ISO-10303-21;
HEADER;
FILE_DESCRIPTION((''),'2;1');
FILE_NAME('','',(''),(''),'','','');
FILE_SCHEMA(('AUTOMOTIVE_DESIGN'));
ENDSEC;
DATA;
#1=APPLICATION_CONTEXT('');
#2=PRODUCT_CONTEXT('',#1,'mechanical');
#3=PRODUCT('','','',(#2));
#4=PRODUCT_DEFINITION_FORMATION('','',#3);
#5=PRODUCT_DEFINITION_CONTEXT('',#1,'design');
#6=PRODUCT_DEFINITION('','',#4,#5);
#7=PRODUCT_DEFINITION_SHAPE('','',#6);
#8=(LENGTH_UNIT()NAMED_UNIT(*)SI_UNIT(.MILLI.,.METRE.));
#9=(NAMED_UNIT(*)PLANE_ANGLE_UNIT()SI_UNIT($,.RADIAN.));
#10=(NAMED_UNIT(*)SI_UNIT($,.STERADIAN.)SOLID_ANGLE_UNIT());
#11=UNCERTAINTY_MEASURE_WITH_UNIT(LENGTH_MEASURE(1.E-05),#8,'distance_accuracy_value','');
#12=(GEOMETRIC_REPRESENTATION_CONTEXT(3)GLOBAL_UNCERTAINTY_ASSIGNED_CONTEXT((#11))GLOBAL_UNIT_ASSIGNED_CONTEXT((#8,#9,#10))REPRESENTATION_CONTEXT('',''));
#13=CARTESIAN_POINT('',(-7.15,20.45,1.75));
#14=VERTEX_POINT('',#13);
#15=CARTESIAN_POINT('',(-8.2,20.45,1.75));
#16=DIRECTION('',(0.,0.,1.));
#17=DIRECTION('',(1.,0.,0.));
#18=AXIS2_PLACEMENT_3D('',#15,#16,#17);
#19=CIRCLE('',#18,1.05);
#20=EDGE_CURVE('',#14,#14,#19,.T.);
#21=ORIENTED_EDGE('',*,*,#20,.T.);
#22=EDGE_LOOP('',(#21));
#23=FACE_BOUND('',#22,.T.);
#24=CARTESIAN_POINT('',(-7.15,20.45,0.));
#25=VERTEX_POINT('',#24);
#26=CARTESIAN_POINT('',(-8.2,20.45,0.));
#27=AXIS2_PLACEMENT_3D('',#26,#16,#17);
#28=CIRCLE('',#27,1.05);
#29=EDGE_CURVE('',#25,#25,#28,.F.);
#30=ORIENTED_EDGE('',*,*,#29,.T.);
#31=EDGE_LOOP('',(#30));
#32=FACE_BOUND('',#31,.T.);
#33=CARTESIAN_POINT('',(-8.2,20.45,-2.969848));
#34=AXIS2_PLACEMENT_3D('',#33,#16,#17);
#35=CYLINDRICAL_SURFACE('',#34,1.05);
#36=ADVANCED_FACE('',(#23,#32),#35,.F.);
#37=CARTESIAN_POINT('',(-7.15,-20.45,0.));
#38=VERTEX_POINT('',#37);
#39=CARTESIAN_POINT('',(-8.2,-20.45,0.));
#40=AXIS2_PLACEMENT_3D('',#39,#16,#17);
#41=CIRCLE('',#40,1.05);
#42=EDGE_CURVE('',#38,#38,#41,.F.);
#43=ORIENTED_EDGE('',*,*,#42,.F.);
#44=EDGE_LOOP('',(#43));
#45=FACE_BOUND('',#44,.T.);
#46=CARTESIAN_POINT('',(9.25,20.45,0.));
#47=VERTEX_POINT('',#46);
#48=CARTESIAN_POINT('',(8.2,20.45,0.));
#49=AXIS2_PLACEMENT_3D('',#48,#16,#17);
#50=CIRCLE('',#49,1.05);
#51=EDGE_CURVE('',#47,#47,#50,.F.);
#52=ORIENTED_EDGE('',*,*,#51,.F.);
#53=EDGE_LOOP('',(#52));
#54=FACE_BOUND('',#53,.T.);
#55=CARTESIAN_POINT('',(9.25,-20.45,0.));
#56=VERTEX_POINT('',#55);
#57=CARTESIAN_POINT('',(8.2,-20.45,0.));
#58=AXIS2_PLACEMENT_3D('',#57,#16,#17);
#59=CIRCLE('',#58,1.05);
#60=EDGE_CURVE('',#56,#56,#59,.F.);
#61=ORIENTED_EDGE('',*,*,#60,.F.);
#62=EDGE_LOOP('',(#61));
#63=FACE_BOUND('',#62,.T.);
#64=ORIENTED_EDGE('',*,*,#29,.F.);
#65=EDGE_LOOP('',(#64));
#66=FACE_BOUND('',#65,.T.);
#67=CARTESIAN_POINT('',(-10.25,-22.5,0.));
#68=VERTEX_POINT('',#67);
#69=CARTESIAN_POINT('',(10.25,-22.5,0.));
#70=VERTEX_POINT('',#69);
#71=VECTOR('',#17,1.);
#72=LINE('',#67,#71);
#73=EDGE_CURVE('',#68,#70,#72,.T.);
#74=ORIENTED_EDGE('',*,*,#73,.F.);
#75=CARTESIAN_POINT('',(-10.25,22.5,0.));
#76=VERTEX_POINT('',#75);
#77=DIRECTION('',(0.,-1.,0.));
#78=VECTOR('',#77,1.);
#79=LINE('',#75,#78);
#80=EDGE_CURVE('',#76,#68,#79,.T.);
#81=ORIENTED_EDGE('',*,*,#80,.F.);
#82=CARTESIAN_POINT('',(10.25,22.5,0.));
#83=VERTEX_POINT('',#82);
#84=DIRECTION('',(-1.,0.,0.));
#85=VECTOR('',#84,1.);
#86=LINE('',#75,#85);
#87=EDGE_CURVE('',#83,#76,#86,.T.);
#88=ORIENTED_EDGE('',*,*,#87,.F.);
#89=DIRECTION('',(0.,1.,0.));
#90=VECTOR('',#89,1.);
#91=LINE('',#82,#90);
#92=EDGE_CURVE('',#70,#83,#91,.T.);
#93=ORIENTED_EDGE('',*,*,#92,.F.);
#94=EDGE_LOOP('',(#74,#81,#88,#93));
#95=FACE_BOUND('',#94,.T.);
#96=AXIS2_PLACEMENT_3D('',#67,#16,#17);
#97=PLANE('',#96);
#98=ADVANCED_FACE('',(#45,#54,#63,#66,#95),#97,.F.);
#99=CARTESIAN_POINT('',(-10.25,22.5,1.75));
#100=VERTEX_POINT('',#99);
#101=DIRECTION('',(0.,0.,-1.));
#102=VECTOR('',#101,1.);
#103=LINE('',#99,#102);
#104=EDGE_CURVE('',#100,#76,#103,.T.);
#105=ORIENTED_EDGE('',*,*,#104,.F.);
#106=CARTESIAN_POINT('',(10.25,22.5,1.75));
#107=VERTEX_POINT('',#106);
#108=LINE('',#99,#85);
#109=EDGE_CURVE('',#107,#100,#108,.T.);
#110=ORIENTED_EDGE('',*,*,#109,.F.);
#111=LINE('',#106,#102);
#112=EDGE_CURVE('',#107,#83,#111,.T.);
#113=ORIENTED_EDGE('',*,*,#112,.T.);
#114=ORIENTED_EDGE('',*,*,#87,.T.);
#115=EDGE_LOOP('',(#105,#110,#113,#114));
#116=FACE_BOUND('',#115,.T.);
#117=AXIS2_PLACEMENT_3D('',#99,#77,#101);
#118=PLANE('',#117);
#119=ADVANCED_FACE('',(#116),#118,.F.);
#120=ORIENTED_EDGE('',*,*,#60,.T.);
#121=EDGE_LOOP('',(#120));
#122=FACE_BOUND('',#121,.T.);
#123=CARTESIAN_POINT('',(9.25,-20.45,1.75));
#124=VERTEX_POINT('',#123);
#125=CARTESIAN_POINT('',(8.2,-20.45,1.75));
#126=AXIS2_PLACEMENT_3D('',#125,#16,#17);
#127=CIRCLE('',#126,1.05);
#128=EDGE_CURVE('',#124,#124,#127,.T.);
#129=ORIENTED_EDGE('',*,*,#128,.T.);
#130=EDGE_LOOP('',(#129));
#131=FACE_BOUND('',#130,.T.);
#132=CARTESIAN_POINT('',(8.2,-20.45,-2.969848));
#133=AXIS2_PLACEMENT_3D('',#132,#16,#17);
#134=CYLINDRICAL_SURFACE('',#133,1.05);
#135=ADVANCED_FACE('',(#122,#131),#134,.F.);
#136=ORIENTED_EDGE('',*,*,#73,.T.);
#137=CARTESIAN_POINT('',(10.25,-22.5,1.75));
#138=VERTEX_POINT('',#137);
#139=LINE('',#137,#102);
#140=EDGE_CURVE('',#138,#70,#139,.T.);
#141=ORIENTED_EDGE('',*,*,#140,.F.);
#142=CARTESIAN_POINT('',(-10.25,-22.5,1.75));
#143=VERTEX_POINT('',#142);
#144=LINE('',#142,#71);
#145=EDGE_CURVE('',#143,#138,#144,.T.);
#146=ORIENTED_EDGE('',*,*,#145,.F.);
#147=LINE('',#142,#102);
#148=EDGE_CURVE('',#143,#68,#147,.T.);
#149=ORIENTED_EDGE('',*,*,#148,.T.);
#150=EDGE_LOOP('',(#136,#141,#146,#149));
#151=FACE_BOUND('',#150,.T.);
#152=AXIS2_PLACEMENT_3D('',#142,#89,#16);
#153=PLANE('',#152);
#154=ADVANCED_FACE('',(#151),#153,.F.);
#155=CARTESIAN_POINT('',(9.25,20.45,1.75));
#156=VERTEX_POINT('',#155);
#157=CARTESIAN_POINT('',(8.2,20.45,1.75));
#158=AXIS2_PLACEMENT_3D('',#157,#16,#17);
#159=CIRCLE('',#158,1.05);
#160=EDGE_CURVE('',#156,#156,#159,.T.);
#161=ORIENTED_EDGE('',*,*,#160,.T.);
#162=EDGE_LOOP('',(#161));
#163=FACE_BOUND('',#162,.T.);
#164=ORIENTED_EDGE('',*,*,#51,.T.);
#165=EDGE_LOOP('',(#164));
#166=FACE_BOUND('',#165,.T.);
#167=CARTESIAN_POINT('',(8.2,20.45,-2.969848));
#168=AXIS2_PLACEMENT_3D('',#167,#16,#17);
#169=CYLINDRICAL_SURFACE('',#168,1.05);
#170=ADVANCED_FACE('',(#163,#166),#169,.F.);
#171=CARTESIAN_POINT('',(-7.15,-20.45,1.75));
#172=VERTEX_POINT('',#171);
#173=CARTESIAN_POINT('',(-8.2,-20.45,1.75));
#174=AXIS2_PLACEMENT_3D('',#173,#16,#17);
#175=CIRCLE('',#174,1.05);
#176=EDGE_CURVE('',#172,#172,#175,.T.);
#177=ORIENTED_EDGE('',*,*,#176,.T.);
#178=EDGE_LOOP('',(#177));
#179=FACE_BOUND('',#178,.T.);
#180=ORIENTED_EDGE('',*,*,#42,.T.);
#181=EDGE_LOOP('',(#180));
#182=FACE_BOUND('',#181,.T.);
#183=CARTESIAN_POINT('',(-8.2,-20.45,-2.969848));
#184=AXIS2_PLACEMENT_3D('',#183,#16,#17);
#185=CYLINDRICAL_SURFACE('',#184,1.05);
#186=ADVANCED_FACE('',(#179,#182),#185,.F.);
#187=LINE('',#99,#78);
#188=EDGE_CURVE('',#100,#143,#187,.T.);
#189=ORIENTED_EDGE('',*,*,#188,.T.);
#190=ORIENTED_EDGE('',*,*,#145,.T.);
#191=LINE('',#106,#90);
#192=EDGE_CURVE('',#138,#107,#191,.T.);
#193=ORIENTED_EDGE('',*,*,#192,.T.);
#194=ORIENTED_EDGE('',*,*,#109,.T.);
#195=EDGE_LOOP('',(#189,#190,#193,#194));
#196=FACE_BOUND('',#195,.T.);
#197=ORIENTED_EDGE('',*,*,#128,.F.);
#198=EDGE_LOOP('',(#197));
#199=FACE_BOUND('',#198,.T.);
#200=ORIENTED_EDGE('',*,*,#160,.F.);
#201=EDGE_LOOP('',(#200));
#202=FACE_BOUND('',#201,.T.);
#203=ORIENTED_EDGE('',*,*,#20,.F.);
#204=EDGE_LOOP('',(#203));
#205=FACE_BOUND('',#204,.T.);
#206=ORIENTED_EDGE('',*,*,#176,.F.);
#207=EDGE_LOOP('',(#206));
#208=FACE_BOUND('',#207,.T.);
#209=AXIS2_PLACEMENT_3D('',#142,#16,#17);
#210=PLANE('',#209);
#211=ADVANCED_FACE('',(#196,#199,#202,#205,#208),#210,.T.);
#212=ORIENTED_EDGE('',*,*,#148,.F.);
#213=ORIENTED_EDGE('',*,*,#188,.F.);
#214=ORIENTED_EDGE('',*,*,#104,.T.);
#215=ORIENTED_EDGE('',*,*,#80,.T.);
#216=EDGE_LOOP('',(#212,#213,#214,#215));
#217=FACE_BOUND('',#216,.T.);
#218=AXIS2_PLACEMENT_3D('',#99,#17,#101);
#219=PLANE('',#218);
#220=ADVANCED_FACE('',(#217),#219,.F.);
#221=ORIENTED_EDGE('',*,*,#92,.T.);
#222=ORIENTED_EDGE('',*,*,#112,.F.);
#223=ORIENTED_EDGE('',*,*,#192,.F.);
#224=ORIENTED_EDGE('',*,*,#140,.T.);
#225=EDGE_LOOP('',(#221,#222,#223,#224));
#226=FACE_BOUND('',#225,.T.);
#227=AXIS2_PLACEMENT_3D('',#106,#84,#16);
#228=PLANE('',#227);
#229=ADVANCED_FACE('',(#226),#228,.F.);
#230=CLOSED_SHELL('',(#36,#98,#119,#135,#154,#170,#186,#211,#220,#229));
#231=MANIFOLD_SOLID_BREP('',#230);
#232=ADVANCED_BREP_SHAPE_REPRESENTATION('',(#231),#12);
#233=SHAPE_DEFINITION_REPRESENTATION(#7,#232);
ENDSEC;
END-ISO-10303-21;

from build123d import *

# Parameters (mm, degrees)
SKETCH1_W          = 20.5
SKETCH1_H          = 45
EXTRUDE1_DEPTH     = 1.75
SKETCH2_R          = 1.05
CUT_EXTRUDE1_DEPTH = 1.75


with BuildPart() as part:
    # Sketch1 → Extrude1 (new body)
    with BuildSketch(Plane.XY):
        Rectangle(SKETCH1_W, SKETCH1_H)
    extrude(amount=EXTRUDE1_DEPTH)

    # Sketch2 → Cut-Extrude1 (cut)
    with BuildSketch(Plane.XY.offset(1.75)):
        with Locations((8.2, -20.45)):
            Circle(SKETCH2_R)
        with Locations((-8.2, 20.45)):
            Circle(SKETCH2_R)
        with Locations((-8.2, -20.45)):
            Circle(SKETCH2_R)
        with Locations((8.2, 20.45)):
            Circle(SKETCH2_R)
    extrude(amount=-CUT_EXTRUDE1_DEPTH, mode=Mode.SUBTRACT)


solid = part.part
